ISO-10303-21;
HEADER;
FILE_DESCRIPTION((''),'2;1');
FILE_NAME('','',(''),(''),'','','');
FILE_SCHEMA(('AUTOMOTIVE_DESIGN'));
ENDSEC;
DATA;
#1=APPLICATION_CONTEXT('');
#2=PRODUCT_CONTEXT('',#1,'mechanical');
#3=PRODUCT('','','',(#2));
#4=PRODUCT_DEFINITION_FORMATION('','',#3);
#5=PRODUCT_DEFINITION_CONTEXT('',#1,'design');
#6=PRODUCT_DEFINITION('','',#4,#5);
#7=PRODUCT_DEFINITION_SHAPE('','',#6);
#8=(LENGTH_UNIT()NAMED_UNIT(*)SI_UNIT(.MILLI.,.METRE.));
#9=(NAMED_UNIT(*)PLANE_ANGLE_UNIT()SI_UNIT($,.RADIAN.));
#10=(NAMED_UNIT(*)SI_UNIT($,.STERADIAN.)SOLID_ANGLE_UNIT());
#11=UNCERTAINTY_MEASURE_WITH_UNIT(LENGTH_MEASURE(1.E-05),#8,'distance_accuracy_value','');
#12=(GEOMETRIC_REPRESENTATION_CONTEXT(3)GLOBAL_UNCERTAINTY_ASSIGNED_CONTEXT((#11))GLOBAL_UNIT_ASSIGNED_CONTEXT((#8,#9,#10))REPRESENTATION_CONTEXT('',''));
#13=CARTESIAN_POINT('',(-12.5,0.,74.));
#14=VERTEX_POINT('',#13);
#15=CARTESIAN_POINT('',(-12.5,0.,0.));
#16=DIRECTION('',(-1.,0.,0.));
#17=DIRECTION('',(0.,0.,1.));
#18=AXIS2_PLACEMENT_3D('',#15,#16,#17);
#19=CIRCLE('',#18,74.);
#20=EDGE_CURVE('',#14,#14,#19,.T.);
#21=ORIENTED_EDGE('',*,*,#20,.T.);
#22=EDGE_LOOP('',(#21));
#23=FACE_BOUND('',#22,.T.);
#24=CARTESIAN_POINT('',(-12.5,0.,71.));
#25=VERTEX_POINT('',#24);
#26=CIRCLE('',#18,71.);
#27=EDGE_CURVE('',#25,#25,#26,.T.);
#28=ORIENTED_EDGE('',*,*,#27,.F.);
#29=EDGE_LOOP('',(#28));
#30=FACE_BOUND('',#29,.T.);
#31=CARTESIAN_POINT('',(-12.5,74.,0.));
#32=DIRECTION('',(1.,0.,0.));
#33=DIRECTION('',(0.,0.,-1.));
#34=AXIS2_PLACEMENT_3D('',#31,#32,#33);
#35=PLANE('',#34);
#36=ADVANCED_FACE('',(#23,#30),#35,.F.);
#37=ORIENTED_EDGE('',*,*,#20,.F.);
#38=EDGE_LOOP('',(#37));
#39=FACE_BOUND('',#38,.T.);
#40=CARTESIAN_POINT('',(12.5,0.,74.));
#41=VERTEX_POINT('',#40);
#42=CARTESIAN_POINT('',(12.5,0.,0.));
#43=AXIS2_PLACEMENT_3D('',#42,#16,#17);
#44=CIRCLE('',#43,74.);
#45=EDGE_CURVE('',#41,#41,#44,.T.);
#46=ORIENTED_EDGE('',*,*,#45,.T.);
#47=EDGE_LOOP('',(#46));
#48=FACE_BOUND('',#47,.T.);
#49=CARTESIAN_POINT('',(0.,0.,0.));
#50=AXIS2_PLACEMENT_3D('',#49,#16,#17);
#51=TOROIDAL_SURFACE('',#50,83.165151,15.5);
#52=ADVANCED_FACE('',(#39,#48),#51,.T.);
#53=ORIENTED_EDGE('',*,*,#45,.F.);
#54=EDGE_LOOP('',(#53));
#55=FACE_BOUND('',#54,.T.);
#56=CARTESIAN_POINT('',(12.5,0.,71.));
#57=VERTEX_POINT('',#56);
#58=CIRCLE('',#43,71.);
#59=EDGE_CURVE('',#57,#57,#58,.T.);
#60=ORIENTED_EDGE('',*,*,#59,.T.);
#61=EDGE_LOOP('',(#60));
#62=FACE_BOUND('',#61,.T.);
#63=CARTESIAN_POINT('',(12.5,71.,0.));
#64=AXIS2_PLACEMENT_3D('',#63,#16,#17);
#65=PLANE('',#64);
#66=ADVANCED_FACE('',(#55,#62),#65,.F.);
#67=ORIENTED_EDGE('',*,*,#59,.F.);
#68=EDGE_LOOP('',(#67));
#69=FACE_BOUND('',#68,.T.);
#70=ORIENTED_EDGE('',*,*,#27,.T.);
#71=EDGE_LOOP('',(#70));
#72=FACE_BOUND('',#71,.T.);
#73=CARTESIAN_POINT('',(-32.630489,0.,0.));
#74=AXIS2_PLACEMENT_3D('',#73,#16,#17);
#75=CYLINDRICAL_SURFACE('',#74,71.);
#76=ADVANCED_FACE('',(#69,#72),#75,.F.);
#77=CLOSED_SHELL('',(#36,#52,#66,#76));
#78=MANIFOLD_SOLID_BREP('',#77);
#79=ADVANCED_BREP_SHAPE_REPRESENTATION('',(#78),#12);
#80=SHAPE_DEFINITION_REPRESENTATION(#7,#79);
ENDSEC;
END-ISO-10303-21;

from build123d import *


with BuildPart() as part:
    # Sketch1 → Revolve1 (revolve)
    with BuildSketch(Plane.XY, mode=Mode.PRIVATE) as revolve1_sk:
        with BuildLine():
            Line((-12.5, 74), (-12.5, 71))
            Line((-12.5, 71), (12.5, 71))
            Line((12.5, 71), (12.5, 74))
            ThreePointArc((12.5, 74), (0, 98.66515139), (-12.5, 74))
        make_face()
    revolve(revolve1_sk.sketch.rotate(Axis((-32.630489018, 0, 0), (1, 0, 0)), 90), axis=Axis((-32.630489018, 0, 0), (1, 0, 0)))


solid = part.part
